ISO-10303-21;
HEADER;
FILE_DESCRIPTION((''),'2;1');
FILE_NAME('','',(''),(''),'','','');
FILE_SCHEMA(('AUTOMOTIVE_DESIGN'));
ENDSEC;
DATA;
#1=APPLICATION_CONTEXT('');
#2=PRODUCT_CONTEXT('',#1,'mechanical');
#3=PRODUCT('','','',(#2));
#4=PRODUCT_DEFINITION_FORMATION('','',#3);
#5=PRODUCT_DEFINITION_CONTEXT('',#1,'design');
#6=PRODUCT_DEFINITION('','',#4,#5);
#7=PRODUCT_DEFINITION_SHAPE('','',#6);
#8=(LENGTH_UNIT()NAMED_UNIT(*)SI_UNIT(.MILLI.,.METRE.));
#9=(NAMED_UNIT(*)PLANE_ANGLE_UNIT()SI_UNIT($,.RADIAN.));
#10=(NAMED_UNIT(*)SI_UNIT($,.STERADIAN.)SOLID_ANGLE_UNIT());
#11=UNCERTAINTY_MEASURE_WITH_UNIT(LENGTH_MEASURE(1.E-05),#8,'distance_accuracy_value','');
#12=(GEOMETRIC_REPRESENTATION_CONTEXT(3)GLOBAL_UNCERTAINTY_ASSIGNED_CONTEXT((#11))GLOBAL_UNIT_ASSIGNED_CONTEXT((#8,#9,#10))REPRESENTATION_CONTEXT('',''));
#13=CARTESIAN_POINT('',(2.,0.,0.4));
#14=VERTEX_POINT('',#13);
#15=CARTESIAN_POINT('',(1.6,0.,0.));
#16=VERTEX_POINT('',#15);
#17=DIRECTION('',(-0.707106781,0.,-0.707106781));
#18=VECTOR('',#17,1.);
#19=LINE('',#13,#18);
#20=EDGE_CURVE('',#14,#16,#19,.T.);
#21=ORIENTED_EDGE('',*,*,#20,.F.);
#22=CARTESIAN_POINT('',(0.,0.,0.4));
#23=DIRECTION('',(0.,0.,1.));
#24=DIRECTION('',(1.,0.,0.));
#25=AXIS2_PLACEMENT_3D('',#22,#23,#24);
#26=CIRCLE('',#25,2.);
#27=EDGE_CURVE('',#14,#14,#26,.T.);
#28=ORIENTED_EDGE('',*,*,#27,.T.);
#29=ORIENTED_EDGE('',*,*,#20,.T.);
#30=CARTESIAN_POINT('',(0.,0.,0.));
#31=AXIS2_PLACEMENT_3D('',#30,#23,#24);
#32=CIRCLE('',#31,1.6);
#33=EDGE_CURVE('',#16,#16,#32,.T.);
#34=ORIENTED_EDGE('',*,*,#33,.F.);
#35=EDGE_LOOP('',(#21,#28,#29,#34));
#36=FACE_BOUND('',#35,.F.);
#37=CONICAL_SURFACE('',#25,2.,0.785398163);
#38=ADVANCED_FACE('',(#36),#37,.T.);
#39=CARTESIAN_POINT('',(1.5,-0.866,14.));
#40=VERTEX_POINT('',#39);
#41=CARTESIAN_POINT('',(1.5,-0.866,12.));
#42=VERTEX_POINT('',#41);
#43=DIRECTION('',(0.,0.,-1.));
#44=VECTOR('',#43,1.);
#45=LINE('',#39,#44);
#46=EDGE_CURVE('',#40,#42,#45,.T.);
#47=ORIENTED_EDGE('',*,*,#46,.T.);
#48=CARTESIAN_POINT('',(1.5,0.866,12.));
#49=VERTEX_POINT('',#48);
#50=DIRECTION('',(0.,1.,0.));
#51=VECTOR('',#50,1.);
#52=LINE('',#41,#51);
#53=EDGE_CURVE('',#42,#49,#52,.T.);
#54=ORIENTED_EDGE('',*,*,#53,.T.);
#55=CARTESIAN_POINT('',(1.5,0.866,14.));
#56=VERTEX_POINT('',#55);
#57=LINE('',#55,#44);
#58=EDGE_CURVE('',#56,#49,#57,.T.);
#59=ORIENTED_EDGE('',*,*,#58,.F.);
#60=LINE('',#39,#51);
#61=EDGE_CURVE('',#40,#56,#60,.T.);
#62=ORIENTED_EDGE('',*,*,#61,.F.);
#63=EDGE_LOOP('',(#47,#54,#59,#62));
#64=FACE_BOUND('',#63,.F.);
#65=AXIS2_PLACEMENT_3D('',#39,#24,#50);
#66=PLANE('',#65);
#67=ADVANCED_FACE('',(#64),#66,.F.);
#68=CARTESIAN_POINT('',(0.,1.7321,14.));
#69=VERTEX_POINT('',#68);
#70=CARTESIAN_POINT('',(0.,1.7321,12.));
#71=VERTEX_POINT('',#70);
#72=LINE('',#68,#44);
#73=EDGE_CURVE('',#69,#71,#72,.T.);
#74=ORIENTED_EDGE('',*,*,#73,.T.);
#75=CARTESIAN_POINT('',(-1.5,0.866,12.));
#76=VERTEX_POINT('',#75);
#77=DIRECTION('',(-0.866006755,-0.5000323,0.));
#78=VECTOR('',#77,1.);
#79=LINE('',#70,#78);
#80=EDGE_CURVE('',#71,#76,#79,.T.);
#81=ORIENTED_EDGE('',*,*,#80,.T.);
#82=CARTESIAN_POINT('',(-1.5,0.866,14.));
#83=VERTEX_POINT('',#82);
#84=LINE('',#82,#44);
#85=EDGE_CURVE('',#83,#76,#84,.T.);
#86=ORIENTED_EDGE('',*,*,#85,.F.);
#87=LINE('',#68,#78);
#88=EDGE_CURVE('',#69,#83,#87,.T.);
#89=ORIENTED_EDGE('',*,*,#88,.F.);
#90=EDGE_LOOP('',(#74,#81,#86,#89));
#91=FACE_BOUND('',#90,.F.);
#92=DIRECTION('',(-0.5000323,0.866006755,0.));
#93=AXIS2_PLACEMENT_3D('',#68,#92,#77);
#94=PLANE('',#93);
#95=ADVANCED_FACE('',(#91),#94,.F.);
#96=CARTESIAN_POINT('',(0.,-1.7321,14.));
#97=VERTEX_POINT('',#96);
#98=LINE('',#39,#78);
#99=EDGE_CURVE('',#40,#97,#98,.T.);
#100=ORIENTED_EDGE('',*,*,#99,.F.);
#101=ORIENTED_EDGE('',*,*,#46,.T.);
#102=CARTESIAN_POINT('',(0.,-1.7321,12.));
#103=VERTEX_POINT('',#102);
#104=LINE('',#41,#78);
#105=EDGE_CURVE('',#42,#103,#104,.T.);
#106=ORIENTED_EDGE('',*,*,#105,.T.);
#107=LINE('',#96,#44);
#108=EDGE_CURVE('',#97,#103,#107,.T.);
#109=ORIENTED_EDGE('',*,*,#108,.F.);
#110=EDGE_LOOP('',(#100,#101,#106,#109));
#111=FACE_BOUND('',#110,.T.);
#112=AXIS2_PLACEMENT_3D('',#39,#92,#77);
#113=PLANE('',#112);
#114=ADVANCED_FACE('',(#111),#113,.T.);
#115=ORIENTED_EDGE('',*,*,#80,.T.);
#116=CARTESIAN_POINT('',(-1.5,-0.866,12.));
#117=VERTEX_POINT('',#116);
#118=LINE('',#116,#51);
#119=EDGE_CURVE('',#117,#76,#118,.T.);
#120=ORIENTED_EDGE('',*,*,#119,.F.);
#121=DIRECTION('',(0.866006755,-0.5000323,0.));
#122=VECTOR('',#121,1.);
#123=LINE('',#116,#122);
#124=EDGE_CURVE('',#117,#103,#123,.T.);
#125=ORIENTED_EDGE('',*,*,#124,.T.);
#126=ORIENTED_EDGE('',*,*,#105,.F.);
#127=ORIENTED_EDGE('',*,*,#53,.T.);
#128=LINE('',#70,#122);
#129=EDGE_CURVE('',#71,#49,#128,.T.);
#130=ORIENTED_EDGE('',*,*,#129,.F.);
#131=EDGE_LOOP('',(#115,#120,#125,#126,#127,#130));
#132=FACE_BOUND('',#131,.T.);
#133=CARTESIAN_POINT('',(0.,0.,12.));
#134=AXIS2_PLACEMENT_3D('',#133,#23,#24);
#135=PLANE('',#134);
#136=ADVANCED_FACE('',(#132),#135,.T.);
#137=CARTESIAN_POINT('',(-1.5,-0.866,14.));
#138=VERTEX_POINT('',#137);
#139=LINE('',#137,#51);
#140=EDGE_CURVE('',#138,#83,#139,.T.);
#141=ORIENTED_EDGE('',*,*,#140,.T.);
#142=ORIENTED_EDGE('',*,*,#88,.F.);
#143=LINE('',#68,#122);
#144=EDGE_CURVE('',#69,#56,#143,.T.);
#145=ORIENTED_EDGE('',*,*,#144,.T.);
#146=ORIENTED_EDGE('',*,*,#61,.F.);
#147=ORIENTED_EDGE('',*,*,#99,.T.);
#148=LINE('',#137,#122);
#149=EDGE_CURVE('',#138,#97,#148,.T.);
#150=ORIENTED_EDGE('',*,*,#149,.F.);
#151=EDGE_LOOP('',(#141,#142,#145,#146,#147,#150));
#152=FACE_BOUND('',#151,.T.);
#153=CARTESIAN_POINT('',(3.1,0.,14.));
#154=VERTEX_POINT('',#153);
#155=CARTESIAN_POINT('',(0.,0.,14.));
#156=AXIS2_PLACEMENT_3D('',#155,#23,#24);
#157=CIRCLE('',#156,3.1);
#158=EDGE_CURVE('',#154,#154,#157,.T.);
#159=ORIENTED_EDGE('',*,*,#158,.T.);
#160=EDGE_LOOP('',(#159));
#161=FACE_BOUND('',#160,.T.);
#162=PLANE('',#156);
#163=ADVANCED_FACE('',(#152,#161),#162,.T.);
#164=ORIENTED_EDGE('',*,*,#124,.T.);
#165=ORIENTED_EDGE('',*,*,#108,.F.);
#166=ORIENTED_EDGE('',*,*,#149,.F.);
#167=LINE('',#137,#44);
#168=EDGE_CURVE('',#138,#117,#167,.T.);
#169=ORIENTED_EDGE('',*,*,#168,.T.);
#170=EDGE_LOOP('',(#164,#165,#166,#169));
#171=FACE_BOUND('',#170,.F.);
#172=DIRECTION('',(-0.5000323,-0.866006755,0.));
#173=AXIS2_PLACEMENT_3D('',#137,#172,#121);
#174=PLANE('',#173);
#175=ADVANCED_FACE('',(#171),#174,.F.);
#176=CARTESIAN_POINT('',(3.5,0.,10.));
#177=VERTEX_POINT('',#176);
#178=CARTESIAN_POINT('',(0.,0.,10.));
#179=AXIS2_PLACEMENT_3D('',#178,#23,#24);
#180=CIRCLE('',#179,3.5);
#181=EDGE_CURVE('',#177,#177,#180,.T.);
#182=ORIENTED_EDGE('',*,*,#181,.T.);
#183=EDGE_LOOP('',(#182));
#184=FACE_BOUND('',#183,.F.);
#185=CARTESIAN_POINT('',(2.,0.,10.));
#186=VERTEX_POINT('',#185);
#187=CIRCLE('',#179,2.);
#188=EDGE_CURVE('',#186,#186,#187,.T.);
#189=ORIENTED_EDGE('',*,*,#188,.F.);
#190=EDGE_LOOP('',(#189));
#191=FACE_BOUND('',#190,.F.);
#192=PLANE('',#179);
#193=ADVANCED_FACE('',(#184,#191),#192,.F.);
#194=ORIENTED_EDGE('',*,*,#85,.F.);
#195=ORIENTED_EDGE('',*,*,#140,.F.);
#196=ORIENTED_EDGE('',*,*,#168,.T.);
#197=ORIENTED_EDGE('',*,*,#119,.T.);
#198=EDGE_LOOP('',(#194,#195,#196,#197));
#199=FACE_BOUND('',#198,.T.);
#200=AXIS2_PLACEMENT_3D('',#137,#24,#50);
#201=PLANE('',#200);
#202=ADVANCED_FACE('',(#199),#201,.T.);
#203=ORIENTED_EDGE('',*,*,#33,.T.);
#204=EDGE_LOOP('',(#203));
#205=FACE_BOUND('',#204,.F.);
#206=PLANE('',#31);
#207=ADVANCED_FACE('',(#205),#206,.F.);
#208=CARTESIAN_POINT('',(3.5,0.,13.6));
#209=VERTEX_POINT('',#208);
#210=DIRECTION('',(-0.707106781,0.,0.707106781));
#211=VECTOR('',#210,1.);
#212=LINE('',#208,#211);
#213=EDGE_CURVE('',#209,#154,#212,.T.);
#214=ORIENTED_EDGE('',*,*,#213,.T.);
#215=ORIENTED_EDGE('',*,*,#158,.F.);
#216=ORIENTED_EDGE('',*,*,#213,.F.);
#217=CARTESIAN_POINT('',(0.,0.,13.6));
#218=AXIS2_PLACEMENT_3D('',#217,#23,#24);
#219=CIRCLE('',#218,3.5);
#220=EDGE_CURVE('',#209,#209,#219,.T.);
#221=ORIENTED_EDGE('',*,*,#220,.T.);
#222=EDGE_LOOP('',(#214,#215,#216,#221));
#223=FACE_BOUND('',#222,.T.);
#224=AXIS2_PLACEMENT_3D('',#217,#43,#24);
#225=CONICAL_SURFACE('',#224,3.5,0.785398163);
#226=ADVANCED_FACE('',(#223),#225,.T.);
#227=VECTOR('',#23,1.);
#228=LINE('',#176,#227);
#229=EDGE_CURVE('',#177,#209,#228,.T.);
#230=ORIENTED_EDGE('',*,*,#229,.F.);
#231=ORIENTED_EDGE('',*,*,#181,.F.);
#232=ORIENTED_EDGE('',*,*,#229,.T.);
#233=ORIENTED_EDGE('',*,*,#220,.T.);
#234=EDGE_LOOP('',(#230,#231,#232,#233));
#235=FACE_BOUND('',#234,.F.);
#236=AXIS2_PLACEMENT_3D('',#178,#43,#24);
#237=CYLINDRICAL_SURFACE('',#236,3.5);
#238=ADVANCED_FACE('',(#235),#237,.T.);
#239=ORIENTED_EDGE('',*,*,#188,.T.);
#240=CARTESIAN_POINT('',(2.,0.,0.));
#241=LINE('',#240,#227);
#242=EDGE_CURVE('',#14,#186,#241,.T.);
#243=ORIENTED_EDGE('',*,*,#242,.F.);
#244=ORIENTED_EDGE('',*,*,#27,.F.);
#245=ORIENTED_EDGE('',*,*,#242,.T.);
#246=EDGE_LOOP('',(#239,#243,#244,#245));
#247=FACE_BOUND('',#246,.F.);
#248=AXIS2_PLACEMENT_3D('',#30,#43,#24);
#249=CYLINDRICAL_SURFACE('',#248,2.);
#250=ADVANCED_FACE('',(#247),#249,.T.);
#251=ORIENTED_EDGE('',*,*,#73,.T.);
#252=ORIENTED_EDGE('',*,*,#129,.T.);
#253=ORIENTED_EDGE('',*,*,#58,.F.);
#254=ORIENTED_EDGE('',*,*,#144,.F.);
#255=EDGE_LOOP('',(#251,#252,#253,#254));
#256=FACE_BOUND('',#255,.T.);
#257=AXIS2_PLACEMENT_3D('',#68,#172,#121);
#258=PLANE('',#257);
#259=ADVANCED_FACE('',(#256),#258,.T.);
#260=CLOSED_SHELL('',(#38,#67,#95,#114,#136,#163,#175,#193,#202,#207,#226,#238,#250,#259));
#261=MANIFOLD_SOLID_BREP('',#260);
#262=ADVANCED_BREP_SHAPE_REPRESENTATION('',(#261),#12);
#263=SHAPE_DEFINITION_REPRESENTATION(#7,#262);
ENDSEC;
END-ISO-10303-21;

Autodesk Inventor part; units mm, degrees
ref_plane "YZ Plane" through (0, 0, 0) normal (1, 0, 0) x (0, 1, 0)
ref_plane "XZ Plane" through (0, 0, 0) normal (0, 1, 0) x (-1, 0, 0)
ref_plane "XY Plane" through (0, 0, 0) normal (0, 0, 1) x (1, 0, 0)
sketch "Sketch1" plane through (0, 0, 0) normal (0, 0, 1) x (1, 0, 0)
  circle A0 centre (0, 0) radius 2
  dimension "Diameter" = 4
extrude "Extrusion1" add sketch "Sketch1" along normal blind 10
sketch "Sketch2" plane through (0, 0, 10) normal (0, 0, 1) x (1, 0, 0)
  circle A0 centre (0, 0) radius 2 projected
  circle A1 centre (0, 0) radius 3.5
  dimension "Head_Diameter" = 7
extrude "Extrusion2" add sketch "Sketch2" along normal blind 4 contours A0 | A1
sketch "Sketch3" plane through (0, 0, 14) normal (0, 0, 1) x (1, 0, 0)
  circle A0 centre (0, 0) radius 3.5 projected
  circle A1 centre (0, 0) radius 1.7321 construction
  line L0 (0, 1.7321) -> (1.5, 0.866)
  line L1 (1.5, -0.866) -> (1.5, 0.866)
  line L2 (0, 1.7321) -> (-1.5, 0.866)
  line L3 (-1.5, -0.866) -> (-1.5, 0.866)
  line L4 (-1.5, -0.866) -> (0, -1.7321)
  line L5 (1.5, -0.866) -> (0, -1.7321)
  dimension "Hex_Width" = 3
extrude "Extrusion3" cut sketch "Sketch3" against normal blind 2 contours L0 L1 L5 L4 L3 L2
thread "Thread1" size "M4x0.7" class "4g6g" standard "ANSI Metric M Profile" length 20
chamfer "Chamfer1" distance 0.4 angle 45 2 edges at (-3.5, 0, 14) (-2, 0, 0)
equation "\"d9\" = ThreadLength"
equation "\"d12\" = Chamfer"
equation "\"ThreadLength\" = 20"
equation "\"Chamfer\" = 0.4"
properties part number "SCREW, SOCKET HD, P, 12_9, M4X0_7X10" material "Steel, MS"
